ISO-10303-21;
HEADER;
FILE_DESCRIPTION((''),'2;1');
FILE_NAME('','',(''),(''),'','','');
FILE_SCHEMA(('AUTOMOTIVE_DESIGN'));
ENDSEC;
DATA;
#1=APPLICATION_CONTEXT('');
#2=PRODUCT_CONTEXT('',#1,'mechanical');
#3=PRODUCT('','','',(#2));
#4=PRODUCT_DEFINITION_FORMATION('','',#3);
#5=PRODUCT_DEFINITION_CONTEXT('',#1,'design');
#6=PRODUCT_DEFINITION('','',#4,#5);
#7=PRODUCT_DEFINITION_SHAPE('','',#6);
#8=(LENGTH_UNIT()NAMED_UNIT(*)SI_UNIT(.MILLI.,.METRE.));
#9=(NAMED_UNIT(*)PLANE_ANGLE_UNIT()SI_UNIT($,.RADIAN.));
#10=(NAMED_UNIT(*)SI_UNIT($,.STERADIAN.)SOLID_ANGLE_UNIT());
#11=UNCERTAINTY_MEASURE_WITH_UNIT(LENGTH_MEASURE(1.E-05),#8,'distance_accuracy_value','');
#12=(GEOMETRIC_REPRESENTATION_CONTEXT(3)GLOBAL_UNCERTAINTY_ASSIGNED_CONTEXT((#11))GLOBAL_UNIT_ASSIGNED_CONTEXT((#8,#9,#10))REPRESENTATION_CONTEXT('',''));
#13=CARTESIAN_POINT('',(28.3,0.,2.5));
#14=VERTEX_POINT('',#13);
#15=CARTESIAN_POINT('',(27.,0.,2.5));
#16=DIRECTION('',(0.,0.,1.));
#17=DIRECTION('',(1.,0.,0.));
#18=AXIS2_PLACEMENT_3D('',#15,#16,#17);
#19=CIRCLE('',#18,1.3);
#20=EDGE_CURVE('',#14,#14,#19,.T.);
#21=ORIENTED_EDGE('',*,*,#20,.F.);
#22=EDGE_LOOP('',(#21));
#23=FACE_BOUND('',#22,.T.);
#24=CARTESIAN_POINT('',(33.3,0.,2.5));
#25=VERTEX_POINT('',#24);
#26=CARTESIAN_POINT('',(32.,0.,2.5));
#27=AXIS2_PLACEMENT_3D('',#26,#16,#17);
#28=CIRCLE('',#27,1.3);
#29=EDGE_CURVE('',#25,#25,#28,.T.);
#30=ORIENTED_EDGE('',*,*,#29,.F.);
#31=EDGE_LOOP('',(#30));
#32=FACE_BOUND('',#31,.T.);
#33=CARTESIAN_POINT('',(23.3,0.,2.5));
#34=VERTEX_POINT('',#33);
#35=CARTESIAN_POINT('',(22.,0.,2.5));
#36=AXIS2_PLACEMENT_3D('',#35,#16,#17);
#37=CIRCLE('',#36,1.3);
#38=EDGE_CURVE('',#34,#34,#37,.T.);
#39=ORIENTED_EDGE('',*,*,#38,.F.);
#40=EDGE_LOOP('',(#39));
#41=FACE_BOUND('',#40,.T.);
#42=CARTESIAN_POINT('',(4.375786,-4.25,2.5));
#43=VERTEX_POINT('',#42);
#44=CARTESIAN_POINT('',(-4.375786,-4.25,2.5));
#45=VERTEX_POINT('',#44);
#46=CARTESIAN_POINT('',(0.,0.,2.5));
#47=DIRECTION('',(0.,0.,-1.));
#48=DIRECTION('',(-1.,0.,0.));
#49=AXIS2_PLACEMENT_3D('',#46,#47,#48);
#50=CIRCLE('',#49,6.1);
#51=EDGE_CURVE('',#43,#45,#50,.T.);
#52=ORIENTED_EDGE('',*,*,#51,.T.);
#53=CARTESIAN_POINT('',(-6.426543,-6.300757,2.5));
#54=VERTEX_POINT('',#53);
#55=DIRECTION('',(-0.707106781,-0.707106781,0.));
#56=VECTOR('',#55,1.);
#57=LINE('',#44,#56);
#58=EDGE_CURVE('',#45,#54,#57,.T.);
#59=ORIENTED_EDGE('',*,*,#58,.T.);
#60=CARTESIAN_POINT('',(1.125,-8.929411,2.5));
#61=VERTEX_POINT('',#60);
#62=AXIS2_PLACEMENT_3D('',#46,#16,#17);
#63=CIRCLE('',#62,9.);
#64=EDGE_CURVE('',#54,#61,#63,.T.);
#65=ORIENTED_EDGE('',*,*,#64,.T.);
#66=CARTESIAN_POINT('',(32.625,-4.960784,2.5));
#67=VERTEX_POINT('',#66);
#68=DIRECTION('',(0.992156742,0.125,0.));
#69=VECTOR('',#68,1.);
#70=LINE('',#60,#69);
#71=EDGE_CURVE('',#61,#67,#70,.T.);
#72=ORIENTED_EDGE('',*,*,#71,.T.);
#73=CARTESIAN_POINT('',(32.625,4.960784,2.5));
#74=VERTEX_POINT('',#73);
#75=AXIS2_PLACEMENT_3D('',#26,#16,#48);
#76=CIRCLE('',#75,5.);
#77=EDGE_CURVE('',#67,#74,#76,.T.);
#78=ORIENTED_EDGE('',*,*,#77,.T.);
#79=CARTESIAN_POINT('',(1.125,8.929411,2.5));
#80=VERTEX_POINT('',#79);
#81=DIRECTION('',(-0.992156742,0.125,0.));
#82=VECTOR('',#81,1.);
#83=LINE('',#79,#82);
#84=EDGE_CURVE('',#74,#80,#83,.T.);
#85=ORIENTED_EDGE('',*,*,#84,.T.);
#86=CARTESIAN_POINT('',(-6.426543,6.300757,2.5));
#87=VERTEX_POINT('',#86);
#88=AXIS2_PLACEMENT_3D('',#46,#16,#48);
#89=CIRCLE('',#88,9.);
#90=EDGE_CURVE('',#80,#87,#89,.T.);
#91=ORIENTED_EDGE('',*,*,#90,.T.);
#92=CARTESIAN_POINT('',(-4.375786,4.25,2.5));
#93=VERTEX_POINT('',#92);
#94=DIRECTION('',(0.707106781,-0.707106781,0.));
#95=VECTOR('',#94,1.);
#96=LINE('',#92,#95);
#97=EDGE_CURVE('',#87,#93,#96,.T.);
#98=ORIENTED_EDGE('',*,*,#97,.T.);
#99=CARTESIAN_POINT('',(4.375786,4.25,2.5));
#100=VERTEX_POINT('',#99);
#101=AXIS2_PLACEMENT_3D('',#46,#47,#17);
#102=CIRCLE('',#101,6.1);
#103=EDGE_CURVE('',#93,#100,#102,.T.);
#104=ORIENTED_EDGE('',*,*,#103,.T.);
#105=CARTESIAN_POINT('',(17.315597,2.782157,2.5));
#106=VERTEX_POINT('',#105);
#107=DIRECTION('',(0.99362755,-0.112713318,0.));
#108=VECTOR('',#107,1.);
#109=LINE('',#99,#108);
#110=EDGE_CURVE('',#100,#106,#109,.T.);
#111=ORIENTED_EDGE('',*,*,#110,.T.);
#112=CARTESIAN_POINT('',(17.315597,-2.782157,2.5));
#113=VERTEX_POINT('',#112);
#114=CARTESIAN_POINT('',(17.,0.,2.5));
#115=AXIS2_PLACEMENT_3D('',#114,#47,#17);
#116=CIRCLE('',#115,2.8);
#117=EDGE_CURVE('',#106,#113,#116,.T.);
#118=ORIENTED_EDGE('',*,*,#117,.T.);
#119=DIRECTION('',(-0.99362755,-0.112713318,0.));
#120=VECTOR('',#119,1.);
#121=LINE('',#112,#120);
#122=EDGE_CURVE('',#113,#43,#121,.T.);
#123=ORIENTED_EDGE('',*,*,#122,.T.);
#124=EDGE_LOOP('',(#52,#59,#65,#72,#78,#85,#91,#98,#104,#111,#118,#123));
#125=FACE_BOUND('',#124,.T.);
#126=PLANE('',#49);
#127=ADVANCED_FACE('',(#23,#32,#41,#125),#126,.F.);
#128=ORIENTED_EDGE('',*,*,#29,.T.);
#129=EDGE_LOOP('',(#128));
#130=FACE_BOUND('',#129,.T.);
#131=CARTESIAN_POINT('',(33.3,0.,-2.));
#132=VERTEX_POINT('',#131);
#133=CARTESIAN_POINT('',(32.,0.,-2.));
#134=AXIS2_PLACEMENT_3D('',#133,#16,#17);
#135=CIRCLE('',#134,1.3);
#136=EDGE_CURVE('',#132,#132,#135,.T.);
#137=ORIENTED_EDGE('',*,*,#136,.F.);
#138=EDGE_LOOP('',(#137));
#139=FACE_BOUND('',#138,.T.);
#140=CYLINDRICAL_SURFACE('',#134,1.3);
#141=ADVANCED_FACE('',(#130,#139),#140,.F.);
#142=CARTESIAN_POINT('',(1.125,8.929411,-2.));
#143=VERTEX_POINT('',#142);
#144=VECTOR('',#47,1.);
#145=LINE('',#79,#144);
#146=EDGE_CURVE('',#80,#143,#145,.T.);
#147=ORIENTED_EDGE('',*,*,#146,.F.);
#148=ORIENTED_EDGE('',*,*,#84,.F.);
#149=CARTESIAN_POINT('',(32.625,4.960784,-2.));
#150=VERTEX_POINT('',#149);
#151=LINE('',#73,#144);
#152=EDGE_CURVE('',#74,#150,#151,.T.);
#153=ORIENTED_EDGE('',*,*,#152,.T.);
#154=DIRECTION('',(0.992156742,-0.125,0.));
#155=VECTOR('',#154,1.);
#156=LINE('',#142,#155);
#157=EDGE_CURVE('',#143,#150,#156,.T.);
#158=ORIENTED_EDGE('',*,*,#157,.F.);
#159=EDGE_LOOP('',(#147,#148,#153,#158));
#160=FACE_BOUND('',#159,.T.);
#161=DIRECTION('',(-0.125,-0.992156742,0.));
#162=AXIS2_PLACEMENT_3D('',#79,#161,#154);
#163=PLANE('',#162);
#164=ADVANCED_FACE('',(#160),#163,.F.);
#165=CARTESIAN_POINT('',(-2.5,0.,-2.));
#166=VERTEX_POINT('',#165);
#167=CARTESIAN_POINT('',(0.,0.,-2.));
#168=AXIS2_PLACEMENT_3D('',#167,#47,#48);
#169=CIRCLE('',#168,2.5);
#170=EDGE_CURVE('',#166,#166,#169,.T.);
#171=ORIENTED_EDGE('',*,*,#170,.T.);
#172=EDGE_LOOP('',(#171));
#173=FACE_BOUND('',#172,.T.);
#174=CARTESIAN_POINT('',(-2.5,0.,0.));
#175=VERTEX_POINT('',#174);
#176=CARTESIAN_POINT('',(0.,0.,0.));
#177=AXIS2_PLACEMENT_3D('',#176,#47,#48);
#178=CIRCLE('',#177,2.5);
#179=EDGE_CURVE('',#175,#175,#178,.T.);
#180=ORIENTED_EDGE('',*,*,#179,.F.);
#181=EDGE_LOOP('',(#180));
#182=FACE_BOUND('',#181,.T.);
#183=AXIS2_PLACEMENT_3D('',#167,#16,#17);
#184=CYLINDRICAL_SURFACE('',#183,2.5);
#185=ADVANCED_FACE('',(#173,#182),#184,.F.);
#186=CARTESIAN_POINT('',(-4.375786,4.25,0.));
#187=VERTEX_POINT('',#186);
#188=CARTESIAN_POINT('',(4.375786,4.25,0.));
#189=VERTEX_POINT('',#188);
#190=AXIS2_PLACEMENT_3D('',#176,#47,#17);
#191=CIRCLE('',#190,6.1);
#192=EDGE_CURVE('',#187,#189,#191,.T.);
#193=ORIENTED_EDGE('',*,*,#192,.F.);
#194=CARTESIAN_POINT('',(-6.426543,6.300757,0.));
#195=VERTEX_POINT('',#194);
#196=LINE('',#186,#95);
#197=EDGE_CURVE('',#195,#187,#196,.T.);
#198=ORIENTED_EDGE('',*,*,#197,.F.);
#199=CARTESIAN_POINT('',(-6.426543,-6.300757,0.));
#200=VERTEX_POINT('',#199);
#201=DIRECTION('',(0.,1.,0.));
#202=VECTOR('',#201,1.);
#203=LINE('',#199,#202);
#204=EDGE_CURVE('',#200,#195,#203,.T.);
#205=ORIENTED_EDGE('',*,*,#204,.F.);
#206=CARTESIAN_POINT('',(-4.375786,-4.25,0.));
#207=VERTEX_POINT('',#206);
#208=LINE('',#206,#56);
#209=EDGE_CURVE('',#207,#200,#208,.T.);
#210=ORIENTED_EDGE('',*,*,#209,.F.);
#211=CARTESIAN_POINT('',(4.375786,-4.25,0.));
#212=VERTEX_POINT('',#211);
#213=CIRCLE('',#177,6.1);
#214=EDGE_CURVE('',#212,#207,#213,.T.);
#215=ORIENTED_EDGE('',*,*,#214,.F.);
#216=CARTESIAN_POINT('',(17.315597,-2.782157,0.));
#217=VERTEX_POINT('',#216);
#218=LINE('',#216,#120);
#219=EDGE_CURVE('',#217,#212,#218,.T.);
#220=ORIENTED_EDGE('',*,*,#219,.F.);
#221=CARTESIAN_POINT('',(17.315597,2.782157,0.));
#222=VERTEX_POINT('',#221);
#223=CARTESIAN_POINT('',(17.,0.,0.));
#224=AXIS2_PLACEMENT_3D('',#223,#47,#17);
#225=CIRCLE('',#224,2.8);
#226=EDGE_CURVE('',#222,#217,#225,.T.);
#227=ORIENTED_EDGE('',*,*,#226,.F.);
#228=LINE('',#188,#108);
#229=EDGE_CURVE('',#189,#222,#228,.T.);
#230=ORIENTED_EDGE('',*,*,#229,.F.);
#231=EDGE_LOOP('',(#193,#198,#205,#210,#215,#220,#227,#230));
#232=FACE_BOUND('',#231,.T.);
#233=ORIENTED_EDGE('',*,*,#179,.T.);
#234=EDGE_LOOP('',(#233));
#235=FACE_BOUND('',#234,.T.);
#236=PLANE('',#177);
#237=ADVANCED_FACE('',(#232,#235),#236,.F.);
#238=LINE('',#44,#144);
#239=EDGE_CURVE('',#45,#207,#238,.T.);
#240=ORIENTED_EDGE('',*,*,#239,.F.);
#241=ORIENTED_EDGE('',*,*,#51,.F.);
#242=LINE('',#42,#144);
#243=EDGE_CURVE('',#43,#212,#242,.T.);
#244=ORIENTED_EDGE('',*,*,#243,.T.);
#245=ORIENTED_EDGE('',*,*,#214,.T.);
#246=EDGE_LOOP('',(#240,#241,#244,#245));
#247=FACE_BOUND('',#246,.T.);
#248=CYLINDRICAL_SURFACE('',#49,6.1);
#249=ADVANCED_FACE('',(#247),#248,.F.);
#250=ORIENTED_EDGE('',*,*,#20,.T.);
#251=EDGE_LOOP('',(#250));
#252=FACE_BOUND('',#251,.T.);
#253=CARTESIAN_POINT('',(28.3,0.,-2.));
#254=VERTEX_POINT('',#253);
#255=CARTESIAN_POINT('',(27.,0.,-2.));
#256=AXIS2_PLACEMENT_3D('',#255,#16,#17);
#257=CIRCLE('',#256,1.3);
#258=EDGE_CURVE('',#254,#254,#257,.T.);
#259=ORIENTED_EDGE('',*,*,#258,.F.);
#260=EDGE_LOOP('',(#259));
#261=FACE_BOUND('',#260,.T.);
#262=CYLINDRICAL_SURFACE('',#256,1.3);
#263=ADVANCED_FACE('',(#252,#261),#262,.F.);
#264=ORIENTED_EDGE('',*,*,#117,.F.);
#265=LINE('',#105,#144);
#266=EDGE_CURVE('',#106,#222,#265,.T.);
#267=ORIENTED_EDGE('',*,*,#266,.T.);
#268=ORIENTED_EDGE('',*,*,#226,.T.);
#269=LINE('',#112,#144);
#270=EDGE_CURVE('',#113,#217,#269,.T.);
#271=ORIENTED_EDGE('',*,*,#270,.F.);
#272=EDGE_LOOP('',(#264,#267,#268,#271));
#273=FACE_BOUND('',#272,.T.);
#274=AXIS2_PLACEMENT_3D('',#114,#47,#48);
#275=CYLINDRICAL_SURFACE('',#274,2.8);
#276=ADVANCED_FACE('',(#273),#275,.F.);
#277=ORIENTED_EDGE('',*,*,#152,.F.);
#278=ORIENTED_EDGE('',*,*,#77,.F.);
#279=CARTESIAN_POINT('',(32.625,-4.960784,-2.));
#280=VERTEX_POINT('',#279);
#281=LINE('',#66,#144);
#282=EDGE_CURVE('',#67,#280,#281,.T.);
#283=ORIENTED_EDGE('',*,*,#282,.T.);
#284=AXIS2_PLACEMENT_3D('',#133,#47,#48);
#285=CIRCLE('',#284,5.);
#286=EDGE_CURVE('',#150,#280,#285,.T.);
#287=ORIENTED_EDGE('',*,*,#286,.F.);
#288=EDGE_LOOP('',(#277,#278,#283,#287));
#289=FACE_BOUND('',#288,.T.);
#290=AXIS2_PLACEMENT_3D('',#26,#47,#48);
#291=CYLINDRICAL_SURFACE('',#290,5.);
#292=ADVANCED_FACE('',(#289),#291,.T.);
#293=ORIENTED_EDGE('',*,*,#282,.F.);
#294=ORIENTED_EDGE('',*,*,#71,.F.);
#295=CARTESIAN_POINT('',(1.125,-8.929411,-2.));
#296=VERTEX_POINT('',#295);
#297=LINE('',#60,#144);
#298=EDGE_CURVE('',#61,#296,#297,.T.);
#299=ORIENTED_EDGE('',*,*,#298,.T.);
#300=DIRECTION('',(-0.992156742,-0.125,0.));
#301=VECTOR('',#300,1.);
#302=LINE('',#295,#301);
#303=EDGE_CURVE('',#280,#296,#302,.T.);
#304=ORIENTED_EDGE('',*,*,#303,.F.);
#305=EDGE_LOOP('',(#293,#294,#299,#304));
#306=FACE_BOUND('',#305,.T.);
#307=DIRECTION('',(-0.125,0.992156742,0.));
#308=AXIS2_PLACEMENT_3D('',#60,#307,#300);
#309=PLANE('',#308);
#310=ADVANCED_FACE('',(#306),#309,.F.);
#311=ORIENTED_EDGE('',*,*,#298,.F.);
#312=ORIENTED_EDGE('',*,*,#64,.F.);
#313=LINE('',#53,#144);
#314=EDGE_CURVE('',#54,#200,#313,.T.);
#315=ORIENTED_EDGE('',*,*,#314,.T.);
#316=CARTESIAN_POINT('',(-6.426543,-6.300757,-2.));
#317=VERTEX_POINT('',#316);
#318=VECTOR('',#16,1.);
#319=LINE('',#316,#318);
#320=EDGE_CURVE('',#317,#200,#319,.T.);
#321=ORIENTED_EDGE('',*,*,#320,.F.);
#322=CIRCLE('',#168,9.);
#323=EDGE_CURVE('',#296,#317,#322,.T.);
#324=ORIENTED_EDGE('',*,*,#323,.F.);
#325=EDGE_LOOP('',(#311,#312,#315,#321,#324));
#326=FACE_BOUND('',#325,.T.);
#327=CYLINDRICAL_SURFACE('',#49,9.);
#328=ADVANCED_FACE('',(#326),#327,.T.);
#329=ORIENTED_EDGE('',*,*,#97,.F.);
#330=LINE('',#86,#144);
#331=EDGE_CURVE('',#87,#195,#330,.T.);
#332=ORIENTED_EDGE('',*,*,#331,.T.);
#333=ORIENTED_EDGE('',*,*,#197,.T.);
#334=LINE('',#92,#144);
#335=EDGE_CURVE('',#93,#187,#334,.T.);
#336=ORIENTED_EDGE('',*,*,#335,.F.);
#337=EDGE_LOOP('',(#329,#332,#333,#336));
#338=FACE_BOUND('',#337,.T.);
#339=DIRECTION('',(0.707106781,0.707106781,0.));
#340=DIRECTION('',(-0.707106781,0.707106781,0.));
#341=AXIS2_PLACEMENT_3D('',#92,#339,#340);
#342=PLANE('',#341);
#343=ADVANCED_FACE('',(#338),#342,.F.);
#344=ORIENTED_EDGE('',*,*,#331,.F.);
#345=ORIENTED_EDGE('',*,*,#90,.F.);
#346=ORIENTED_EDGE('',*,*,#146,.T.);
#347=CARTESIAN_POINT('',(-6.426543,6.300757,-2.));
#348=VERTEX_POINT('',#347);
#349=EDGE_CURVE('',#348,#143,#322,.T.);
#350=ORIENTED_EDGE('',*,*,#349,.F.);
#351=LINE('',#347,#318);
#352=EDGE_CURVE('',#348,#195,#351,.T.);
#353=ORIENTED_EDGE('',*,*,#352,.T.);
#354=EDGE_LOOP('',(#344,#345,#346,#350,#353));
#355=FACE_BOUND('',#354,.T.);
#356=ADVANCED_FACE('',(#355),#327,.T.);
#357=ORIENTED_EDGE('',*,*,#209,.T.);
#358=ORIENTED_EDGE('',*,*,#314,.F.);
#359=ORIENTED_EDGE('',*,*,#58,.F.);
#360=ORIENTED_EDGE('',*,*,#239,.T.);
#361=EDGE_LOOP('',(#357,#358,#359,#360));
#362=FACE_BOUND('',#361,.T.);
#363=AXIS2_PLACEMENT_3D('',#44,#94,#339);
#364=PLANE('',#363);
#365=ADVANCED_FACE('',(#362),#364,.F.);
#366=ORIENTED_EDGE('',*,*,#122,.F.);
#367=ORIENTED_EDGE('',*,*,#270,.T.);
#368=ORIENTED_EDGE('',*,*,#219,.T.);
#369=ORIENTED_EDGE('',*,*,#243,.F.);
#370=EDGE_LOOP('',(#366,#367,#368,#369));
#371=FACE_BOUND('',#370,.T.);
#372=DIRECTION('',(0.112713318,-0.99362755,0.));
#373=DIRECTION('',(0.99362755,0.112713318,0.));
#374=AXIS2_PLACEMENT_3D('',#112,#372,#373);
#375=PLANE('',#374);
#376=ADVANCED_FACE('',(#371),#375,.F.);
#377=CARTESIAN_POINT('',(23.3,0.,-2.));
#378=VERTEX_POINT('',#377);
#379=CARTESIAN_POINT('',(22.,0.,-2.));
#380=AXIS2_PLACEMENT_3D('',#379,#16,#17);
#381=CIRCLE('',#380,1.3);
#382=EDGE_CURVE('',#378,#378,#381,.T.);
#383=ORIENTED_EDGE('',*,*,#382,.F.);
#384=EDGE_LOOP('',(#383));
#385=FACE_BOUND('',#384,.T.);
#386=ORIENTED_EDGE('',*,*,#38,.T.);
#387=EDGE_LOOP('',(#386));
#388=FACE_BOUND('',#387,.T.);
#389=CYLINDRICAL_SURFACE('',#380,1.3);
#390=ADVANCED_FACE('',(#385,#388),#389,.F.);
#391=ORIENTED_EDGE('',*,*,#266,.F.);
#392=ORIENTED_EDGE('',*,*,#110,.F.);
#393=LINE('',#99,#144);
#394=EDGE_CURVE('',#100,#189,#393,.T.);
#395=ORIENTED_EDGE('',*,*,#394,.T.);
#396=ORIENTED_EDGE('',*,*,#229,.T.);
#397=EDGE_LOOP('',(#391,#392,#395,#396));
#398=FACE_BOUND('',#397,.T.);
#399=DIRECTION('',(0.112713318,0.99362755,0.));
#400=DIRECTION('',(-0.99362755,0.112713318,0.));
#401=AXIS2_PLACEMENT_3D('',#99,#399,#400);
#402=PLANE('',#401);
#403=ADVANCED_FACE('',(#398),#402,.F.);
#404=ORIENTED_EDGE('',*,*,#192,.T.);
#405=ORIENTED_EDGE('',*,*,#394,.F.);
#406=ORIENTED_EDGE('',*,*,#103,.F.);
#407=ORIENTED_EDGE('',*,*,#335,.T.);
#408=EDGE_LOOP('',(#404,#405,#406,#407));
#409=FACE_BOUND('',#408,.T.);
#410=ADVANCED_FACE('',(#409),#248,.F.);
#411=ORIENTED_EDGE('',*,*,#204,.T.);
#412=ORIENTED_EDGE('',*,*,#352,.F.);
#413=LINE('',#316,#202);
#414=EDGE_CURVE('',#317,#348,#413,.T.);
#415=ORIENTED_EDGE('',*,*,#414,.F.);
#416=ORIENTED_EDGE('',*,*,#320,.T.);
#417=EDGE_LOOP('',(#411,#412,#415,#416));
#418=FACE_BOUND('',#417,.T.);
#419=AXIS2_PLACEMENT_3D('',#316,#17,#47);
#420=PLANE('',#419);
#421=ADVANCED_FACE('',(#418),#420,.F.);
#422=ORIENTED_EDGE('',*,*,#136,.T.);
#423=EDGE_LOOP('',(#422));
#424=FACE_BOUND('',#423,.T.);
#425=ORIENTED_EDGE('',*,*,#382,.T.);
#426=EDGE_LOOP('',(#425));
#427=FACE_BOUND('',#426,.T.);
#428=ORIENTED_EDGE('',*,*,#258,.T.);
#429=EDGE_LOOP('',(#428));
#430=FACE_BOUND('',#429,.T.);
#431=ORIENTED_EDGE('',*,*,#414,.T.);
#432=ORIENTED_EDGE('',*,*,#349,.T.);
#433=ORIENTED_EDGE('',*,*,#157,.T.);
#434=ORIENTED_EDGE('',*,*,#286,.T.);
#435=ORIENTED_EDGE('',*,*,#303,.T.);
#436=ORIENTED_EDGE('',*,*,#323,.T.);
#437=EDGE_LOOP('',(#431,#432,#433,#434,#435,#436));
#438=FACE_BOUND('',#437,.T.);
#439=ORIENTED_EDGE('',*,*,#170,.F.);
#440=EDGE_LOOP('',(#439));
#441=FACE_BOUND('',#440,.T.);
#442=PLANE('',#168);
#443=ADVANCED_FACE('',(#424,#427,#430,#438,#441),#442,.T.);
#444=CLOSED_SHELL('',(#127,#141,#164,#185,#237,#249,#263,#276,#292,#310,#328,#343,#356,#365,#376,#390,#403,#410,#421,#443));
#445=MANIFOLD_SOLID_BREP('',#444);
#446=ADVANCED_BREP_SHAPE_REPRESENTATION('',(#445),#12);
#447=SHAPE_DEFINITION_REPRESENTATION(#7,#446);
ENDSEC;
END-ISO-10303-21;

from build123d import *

# Parameters (mm, degrees)
MAIN_DEPTH            = 2.5
ORIGINALBRACKET_START = 2
ESQUISSE2_R           = 2.5
ORIGINALBRACKET_DEPTH = 2
ESQUISSE3_R           = 1.3
FIXINGHOLE_DEPTH      = 39.34383914


with BuildPart() as part:
    # Esquisse1 → Main (new body)
    with BuildSketch(Plane.XY):
        with BuildLine():
            Line((-4.375785644, 4.25), (-6.426543071, 6.300757427))
            ThreePointArc((-6.426543071, 6.300757427), (-2.958723408, 8.499762102), (1.125, 8.929410675))
            Line((1.125, 8.929410675), (32.625, 4.960783708))
            ThreePointArc((32.625, 4.960783708), (37, 0), (32.625, -4.960783708))
            Line((32.625, -4.960783708), (1.125, -8.929410675))
            ThreePointArc((1.125, -8.929410675), (-2.958723408, -8.499762102), (-6.426543071, -6.300757427))
            Line((-6.426543071, -6.300757427), (-4.375785644, -4.25))
            ThreePointArc((-4.375785644, -4.25), (0, -6.1), (4.375785644, -4.25))
            Line((4.375785644, -4.25), (17.31559729, -2.78215714))
            ThreePointArc((17.31559729, -2.78215714), (19.8, 0), (17.31559729, 2.78215714))
            Line((17.31559729, 2.78215714), (4.375785644, 4.25))
            ThreePointArc((4.375785644, 4.25), (0, 6.1), (-4.375785644, 4.25))
        make_face()
    extrude(amount=MAIN_DEPTH)

    # Esquisse2 → OriginalBracket (add)
    with BuildSketch(Plane(origin=(0, 0, 0), x_dir=(-1, 0, 0), z_dir=(0, 0, -1)).offset(ORIGINALBRACKET_START)):
        with BuildLine():
            Line((-1.125, -8.929410675), (-32.625, -4.960783708))
            ThreePointArc((-32.625, -4.960783708), (-37, 0), (-32.625, 4.960783708))
            Line((-32.625, 4.960783708), (-1.125, 8.929410675))
            ThreePointArc((-1.125, 8.929410675), (2.958723408, 8.499762102), (6.426543071, 6.300757427))
            Line((6.426543071, 6.300757427), (6.426543071, -6.300757427))
            ThreePointArc((6.426543071, -6.300757427), (2.958723408, -8.499762102), (-1.125, -8.929410675))
        make_face()
        Circle(ESQUISSE2_R, mode=Mode.SUBTRACT)
    extrude(amount=-ORIGINALBRACKET_DEPTH)

    # Esquisse3 → FixingHole (cut, through all)
    with BuildSketch(Plane.XY.offset(2.5)):
        with Locations((32, 0)):
            Circle(ESQUISSE3_R)
        with Locations((22, 0)):
            Circle(ESQUISSE3_R)
        with Locations((27, 0)):
            Circle(ESQUISSE3_R)
    extrude(amount=-FIXINGHOLE_DEPTH, mode=Mode.SUBTRACT)


solid = part.part
